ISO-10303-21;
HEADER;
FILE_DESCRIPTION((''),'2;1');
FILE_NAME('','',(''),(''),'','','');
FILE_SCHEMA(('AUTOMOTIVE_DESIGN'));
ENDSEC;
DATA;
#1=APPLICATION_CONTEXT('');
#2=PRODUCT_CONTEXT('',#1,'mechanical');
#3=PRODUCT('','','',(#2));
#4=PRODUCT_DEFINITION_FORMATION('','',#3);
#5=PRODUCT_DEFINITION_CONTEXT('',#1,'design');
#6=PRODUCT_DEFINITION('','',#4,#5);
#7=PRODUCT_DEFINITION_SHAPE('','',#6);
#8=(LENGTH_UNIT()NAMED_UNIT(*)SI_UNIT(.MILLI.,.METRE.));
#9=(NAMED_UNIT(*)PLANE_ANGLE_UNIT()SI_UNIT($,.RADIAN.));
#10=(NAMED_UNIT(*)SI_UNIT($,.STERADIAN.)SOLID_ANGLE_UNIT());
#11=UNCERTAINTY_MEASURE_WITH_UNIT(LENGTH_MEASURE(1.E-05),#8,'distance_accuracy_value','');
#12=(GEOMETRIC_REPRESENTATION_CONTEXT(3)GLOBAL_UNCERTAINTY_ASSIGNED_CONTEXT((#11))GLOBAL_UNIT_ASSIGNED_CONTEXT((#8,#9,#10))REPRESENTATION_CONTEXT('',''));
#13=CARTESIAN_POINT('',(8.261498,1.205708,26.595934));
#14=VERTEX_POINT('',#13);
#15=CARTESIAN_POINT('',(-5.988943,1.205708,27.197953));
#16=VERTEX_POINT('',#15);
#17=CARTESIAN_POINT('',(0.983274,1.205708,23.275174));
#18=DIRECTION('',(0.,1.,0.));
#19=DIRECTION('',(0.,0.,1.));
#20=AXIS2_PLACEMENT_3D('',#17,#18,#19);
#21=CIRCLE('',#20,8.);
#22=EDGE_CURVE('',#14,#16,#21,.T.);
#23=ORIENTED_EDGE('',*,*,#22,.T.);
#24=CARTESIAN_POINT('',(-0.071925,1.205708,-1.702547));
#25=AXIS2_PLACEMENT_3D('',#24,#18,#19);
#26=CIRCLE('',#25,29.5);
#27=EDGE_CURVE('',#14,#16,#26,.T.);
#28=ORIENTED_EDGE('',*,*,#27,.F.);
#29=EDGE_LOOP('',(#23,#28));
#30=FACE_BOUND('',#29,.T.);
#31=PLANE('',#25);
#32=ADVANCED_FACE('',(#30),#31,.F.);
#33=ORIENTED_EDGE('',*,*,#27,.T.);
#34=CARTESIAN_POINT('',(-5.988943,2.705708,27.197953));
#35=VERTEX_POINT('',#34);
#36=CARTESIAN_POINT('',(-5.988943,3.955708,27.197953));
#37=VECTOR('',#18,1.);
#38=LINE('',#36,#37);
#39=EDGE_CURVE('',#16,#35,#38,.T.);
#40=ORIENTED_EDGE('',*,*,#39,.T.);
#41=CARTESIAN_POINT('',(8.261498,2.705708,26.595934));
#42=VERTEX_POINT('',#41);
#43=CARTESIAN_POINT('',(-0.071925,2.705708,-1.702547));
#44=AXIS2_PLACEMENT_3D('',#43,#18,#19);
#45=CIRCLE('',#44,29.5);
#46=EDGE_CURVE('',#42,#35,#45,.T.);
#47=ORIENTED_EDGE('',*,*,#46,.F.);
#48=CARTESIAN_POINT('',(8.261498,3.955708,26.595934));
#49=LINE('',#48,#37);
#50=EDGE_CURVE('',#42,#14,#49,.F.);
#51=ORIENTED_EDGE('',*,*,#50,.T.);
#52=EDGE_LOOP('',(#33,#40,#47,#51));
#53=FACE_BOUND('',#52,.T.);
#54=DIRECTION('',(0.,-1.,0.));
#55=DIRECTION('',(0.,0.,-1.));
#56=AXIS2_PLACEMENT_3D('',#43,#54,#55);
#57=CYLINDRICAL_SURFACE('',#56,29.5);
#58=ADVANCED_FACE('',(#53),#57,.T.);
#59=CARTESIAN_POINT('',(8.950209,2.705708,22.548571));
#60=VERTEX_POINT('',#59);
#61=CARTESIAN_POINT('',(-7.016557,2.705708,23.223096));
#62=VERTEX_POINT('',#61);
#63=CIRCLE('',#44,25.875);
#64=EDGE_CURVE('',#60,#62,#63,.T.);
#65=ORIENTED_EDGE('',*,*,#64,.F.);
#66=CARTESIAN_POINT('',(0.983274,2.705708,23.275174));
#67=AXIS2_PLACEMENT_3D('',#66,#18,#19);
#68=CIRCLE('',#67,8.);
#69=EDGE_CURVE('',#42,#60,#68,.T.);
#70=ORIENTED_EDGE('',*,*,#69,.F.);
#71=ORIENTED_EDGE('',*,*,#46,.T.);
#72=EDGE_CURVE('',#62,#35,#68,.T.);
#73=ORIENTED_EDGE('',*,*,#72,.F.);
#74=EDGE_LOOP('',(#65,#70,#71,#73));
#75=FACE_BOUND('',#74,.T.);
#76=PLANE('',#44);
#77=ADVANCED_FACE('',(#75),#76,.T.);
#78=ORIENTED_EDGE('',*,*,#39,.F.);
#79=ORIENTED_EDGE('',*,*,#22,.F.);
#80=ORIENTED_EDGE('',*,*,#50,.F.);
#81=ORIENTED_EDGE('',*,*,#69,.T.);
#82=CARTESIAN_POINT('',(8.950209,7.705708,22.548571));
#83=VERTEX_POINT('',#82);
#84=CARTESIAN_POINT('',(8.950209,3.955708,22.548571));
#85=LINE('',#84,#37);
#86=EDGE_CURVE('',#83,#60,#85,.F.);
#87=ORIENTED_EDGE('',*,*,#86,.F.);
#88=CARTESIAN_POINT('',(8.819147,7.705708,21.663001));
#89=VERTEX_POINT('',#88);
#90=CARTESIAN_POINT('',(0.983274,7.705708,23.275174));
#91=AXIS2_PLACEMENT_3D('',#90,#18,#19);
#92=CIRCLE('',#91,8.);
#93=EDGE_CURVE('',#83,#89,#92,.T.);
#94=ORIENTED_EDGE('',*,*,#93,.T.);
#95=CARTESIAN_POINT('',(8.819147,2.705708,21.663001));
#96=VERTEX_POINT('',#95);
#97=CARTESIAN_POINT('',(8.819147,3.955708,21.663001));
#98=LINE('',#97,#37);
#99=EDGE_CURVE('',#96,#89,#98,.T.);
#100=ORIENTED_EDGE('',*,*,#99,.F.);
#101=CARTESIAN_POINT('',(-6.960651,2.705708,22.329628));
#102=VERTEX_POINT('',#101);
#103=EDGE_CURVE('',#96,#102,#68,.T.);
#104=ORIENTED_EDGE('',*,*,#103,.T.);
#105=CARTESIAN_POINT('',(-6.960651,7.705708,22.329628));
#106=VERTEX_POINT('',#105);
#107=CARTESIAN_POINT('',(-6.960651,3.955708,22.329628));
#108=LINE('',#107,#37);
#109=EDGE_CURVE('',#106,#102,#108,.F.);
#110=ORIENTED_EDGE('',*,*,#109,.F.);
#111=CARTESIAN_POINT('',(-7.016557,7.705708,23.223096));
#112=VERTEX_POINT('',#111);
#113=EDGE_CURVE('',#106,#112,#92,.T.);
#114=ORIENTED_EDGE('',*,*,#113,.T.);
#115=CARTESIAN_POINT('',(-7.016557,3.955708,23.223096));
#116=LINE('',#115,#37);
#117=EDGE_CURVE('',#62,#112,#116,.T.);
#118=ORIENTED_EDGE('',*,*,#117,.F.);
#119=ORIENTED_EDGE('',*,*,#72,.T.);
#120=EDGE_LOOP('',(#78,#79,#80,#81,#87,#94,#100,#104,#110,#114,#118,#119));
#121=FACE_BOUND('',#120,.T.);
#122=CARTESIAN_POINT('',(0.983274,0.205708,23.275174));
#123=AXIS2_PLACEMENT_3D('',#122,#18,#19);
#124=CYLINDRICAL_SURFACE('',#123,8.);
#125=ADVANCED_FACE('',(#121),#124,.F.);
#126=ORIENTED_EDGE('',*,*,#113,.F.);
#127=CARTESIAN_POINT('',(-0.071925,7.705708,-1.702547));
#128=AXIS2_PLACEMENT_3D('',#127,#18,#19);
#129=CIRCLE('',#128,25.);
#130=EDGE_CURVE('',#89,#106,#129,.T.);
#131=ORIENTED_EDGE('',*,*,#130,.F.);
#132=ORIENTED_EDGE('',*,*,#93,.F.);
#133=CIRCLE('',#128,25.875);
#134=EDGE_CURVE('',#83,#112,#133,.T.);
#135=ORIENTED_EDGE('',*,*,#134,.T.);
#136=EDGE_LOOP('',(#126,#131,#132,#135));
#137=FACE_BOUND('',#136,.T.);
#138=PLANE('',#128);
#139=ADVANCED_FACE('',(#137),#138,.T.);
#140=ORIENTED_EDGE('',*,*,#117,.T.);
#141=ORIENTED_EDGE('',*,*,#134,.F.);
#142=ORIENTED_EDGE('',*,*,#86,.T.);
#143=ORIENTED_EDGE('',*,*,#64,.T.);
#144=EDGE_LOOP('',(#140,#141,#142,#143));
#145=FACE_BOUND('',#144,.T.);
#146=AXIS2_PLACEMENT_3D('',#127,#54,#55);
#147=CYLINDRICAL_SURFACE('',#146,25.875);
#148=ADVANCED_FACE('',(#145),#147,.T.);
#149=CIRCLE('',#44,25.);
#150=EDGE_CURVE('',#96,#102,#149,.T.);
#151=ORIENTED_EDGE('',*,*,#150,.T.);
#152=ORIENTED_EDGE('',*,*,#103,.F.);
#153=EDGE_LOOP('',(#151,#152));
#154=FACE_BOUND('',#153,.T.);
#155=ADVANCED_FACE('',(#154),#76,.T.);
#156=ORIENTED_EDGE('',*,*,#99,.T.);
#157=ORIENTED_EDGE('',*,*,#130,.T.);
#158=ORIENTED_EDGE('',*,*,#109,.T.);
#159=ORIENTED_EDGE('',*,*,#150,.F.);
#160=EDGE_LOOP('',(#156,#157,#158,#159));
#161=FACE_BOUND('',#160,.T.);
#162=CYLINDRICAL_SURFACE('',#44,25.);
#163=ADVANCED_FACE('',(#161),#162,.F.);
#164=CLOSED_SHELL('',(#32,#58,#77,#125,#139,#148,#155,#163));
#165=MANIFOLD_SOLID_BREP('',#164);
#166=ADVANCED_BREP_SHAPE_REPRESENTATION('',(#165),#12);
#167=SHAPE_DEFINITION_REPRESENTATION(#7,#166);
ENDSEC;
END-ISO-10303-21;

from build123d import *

# Parameters (mm, degrees)
SKETCH1_R           = 59
BOSS_EXTRUDE1_DEPTH = 3
SKETCH3_R           = 51.75
BOSS_EXTRUDE2_DEPTH = 10
SKETCH4_R           = 50
CUT_EXTRUDE2_DEPTH  = 10
SKETCH6_R           = 16
CUT_EXTRUDE4_DEPTH  = 15
SCALE1_SCALE        = 0.5


with BuildPart() as part:
    # Sketch1 → Boss-Extrude1 (new body)
    with BuildSketch(Plane(origin=(0, 0, 0), x_dir=(1, 0, 0), z_dir=(0, 1, 0))):
        with Locations(Location((0, 0, 0), (0, 0, 270))):
            Circle(SKETCH1_R)
    extrude(amount=BOSS_EXTRUDE1_DEPTH)

    # Sketch3 → Boss-Extrude2 (add)
    with BuildSketch(Plane(origin=(0, 3, 0), x_dir=(1, 0, 0), z_dir=(0, 1, 0))):
        with Locations(Location((0, 0, 0), (0, 0, 270))):
            Circle(SKETCH3_R)
    extrude(amount=BOSS_EXTRUDE2_DEPTH)

    # Sketch4 → Cut-Extrude2 (cut)
    with BuildSketch(Plane(origin=(0, 13, 0), x_dir=(1, 0, 0), z_dir=(0, 1, 0))):
        with Locations(Location((0, 0, 0), (0, 0, 270))):
            Circle(SKETCH4_R)
    extrude(amount=-CUT_EXTRUDE2_DEPTH, mode=Mode.SUBTRACT)

    # Sketch6 → Cut-Extrude4 (cut)
    with BuildSketch(Plane(origin=(0, 13, 0), x_dir=(1, 0, 0), z_dir=(0, 1, 0))):
        with Locations((2.110398292, -49.955442337)):
            Circle(SKETCH6_R)
    extrude(amount=-CUT_EXTRUDE4_DEPTH, mode=Mode.SUBTRACT)


with BuildPart() as part_1:
    # Scale1: scaled about (-0.143850324, 2.411415786, -3.405094959)
    add(part.part.scale(SCALE1_SCALE).moved(Location((-0.071925162, 1.205707893, -1.702547479))))


solid = part_1.part
